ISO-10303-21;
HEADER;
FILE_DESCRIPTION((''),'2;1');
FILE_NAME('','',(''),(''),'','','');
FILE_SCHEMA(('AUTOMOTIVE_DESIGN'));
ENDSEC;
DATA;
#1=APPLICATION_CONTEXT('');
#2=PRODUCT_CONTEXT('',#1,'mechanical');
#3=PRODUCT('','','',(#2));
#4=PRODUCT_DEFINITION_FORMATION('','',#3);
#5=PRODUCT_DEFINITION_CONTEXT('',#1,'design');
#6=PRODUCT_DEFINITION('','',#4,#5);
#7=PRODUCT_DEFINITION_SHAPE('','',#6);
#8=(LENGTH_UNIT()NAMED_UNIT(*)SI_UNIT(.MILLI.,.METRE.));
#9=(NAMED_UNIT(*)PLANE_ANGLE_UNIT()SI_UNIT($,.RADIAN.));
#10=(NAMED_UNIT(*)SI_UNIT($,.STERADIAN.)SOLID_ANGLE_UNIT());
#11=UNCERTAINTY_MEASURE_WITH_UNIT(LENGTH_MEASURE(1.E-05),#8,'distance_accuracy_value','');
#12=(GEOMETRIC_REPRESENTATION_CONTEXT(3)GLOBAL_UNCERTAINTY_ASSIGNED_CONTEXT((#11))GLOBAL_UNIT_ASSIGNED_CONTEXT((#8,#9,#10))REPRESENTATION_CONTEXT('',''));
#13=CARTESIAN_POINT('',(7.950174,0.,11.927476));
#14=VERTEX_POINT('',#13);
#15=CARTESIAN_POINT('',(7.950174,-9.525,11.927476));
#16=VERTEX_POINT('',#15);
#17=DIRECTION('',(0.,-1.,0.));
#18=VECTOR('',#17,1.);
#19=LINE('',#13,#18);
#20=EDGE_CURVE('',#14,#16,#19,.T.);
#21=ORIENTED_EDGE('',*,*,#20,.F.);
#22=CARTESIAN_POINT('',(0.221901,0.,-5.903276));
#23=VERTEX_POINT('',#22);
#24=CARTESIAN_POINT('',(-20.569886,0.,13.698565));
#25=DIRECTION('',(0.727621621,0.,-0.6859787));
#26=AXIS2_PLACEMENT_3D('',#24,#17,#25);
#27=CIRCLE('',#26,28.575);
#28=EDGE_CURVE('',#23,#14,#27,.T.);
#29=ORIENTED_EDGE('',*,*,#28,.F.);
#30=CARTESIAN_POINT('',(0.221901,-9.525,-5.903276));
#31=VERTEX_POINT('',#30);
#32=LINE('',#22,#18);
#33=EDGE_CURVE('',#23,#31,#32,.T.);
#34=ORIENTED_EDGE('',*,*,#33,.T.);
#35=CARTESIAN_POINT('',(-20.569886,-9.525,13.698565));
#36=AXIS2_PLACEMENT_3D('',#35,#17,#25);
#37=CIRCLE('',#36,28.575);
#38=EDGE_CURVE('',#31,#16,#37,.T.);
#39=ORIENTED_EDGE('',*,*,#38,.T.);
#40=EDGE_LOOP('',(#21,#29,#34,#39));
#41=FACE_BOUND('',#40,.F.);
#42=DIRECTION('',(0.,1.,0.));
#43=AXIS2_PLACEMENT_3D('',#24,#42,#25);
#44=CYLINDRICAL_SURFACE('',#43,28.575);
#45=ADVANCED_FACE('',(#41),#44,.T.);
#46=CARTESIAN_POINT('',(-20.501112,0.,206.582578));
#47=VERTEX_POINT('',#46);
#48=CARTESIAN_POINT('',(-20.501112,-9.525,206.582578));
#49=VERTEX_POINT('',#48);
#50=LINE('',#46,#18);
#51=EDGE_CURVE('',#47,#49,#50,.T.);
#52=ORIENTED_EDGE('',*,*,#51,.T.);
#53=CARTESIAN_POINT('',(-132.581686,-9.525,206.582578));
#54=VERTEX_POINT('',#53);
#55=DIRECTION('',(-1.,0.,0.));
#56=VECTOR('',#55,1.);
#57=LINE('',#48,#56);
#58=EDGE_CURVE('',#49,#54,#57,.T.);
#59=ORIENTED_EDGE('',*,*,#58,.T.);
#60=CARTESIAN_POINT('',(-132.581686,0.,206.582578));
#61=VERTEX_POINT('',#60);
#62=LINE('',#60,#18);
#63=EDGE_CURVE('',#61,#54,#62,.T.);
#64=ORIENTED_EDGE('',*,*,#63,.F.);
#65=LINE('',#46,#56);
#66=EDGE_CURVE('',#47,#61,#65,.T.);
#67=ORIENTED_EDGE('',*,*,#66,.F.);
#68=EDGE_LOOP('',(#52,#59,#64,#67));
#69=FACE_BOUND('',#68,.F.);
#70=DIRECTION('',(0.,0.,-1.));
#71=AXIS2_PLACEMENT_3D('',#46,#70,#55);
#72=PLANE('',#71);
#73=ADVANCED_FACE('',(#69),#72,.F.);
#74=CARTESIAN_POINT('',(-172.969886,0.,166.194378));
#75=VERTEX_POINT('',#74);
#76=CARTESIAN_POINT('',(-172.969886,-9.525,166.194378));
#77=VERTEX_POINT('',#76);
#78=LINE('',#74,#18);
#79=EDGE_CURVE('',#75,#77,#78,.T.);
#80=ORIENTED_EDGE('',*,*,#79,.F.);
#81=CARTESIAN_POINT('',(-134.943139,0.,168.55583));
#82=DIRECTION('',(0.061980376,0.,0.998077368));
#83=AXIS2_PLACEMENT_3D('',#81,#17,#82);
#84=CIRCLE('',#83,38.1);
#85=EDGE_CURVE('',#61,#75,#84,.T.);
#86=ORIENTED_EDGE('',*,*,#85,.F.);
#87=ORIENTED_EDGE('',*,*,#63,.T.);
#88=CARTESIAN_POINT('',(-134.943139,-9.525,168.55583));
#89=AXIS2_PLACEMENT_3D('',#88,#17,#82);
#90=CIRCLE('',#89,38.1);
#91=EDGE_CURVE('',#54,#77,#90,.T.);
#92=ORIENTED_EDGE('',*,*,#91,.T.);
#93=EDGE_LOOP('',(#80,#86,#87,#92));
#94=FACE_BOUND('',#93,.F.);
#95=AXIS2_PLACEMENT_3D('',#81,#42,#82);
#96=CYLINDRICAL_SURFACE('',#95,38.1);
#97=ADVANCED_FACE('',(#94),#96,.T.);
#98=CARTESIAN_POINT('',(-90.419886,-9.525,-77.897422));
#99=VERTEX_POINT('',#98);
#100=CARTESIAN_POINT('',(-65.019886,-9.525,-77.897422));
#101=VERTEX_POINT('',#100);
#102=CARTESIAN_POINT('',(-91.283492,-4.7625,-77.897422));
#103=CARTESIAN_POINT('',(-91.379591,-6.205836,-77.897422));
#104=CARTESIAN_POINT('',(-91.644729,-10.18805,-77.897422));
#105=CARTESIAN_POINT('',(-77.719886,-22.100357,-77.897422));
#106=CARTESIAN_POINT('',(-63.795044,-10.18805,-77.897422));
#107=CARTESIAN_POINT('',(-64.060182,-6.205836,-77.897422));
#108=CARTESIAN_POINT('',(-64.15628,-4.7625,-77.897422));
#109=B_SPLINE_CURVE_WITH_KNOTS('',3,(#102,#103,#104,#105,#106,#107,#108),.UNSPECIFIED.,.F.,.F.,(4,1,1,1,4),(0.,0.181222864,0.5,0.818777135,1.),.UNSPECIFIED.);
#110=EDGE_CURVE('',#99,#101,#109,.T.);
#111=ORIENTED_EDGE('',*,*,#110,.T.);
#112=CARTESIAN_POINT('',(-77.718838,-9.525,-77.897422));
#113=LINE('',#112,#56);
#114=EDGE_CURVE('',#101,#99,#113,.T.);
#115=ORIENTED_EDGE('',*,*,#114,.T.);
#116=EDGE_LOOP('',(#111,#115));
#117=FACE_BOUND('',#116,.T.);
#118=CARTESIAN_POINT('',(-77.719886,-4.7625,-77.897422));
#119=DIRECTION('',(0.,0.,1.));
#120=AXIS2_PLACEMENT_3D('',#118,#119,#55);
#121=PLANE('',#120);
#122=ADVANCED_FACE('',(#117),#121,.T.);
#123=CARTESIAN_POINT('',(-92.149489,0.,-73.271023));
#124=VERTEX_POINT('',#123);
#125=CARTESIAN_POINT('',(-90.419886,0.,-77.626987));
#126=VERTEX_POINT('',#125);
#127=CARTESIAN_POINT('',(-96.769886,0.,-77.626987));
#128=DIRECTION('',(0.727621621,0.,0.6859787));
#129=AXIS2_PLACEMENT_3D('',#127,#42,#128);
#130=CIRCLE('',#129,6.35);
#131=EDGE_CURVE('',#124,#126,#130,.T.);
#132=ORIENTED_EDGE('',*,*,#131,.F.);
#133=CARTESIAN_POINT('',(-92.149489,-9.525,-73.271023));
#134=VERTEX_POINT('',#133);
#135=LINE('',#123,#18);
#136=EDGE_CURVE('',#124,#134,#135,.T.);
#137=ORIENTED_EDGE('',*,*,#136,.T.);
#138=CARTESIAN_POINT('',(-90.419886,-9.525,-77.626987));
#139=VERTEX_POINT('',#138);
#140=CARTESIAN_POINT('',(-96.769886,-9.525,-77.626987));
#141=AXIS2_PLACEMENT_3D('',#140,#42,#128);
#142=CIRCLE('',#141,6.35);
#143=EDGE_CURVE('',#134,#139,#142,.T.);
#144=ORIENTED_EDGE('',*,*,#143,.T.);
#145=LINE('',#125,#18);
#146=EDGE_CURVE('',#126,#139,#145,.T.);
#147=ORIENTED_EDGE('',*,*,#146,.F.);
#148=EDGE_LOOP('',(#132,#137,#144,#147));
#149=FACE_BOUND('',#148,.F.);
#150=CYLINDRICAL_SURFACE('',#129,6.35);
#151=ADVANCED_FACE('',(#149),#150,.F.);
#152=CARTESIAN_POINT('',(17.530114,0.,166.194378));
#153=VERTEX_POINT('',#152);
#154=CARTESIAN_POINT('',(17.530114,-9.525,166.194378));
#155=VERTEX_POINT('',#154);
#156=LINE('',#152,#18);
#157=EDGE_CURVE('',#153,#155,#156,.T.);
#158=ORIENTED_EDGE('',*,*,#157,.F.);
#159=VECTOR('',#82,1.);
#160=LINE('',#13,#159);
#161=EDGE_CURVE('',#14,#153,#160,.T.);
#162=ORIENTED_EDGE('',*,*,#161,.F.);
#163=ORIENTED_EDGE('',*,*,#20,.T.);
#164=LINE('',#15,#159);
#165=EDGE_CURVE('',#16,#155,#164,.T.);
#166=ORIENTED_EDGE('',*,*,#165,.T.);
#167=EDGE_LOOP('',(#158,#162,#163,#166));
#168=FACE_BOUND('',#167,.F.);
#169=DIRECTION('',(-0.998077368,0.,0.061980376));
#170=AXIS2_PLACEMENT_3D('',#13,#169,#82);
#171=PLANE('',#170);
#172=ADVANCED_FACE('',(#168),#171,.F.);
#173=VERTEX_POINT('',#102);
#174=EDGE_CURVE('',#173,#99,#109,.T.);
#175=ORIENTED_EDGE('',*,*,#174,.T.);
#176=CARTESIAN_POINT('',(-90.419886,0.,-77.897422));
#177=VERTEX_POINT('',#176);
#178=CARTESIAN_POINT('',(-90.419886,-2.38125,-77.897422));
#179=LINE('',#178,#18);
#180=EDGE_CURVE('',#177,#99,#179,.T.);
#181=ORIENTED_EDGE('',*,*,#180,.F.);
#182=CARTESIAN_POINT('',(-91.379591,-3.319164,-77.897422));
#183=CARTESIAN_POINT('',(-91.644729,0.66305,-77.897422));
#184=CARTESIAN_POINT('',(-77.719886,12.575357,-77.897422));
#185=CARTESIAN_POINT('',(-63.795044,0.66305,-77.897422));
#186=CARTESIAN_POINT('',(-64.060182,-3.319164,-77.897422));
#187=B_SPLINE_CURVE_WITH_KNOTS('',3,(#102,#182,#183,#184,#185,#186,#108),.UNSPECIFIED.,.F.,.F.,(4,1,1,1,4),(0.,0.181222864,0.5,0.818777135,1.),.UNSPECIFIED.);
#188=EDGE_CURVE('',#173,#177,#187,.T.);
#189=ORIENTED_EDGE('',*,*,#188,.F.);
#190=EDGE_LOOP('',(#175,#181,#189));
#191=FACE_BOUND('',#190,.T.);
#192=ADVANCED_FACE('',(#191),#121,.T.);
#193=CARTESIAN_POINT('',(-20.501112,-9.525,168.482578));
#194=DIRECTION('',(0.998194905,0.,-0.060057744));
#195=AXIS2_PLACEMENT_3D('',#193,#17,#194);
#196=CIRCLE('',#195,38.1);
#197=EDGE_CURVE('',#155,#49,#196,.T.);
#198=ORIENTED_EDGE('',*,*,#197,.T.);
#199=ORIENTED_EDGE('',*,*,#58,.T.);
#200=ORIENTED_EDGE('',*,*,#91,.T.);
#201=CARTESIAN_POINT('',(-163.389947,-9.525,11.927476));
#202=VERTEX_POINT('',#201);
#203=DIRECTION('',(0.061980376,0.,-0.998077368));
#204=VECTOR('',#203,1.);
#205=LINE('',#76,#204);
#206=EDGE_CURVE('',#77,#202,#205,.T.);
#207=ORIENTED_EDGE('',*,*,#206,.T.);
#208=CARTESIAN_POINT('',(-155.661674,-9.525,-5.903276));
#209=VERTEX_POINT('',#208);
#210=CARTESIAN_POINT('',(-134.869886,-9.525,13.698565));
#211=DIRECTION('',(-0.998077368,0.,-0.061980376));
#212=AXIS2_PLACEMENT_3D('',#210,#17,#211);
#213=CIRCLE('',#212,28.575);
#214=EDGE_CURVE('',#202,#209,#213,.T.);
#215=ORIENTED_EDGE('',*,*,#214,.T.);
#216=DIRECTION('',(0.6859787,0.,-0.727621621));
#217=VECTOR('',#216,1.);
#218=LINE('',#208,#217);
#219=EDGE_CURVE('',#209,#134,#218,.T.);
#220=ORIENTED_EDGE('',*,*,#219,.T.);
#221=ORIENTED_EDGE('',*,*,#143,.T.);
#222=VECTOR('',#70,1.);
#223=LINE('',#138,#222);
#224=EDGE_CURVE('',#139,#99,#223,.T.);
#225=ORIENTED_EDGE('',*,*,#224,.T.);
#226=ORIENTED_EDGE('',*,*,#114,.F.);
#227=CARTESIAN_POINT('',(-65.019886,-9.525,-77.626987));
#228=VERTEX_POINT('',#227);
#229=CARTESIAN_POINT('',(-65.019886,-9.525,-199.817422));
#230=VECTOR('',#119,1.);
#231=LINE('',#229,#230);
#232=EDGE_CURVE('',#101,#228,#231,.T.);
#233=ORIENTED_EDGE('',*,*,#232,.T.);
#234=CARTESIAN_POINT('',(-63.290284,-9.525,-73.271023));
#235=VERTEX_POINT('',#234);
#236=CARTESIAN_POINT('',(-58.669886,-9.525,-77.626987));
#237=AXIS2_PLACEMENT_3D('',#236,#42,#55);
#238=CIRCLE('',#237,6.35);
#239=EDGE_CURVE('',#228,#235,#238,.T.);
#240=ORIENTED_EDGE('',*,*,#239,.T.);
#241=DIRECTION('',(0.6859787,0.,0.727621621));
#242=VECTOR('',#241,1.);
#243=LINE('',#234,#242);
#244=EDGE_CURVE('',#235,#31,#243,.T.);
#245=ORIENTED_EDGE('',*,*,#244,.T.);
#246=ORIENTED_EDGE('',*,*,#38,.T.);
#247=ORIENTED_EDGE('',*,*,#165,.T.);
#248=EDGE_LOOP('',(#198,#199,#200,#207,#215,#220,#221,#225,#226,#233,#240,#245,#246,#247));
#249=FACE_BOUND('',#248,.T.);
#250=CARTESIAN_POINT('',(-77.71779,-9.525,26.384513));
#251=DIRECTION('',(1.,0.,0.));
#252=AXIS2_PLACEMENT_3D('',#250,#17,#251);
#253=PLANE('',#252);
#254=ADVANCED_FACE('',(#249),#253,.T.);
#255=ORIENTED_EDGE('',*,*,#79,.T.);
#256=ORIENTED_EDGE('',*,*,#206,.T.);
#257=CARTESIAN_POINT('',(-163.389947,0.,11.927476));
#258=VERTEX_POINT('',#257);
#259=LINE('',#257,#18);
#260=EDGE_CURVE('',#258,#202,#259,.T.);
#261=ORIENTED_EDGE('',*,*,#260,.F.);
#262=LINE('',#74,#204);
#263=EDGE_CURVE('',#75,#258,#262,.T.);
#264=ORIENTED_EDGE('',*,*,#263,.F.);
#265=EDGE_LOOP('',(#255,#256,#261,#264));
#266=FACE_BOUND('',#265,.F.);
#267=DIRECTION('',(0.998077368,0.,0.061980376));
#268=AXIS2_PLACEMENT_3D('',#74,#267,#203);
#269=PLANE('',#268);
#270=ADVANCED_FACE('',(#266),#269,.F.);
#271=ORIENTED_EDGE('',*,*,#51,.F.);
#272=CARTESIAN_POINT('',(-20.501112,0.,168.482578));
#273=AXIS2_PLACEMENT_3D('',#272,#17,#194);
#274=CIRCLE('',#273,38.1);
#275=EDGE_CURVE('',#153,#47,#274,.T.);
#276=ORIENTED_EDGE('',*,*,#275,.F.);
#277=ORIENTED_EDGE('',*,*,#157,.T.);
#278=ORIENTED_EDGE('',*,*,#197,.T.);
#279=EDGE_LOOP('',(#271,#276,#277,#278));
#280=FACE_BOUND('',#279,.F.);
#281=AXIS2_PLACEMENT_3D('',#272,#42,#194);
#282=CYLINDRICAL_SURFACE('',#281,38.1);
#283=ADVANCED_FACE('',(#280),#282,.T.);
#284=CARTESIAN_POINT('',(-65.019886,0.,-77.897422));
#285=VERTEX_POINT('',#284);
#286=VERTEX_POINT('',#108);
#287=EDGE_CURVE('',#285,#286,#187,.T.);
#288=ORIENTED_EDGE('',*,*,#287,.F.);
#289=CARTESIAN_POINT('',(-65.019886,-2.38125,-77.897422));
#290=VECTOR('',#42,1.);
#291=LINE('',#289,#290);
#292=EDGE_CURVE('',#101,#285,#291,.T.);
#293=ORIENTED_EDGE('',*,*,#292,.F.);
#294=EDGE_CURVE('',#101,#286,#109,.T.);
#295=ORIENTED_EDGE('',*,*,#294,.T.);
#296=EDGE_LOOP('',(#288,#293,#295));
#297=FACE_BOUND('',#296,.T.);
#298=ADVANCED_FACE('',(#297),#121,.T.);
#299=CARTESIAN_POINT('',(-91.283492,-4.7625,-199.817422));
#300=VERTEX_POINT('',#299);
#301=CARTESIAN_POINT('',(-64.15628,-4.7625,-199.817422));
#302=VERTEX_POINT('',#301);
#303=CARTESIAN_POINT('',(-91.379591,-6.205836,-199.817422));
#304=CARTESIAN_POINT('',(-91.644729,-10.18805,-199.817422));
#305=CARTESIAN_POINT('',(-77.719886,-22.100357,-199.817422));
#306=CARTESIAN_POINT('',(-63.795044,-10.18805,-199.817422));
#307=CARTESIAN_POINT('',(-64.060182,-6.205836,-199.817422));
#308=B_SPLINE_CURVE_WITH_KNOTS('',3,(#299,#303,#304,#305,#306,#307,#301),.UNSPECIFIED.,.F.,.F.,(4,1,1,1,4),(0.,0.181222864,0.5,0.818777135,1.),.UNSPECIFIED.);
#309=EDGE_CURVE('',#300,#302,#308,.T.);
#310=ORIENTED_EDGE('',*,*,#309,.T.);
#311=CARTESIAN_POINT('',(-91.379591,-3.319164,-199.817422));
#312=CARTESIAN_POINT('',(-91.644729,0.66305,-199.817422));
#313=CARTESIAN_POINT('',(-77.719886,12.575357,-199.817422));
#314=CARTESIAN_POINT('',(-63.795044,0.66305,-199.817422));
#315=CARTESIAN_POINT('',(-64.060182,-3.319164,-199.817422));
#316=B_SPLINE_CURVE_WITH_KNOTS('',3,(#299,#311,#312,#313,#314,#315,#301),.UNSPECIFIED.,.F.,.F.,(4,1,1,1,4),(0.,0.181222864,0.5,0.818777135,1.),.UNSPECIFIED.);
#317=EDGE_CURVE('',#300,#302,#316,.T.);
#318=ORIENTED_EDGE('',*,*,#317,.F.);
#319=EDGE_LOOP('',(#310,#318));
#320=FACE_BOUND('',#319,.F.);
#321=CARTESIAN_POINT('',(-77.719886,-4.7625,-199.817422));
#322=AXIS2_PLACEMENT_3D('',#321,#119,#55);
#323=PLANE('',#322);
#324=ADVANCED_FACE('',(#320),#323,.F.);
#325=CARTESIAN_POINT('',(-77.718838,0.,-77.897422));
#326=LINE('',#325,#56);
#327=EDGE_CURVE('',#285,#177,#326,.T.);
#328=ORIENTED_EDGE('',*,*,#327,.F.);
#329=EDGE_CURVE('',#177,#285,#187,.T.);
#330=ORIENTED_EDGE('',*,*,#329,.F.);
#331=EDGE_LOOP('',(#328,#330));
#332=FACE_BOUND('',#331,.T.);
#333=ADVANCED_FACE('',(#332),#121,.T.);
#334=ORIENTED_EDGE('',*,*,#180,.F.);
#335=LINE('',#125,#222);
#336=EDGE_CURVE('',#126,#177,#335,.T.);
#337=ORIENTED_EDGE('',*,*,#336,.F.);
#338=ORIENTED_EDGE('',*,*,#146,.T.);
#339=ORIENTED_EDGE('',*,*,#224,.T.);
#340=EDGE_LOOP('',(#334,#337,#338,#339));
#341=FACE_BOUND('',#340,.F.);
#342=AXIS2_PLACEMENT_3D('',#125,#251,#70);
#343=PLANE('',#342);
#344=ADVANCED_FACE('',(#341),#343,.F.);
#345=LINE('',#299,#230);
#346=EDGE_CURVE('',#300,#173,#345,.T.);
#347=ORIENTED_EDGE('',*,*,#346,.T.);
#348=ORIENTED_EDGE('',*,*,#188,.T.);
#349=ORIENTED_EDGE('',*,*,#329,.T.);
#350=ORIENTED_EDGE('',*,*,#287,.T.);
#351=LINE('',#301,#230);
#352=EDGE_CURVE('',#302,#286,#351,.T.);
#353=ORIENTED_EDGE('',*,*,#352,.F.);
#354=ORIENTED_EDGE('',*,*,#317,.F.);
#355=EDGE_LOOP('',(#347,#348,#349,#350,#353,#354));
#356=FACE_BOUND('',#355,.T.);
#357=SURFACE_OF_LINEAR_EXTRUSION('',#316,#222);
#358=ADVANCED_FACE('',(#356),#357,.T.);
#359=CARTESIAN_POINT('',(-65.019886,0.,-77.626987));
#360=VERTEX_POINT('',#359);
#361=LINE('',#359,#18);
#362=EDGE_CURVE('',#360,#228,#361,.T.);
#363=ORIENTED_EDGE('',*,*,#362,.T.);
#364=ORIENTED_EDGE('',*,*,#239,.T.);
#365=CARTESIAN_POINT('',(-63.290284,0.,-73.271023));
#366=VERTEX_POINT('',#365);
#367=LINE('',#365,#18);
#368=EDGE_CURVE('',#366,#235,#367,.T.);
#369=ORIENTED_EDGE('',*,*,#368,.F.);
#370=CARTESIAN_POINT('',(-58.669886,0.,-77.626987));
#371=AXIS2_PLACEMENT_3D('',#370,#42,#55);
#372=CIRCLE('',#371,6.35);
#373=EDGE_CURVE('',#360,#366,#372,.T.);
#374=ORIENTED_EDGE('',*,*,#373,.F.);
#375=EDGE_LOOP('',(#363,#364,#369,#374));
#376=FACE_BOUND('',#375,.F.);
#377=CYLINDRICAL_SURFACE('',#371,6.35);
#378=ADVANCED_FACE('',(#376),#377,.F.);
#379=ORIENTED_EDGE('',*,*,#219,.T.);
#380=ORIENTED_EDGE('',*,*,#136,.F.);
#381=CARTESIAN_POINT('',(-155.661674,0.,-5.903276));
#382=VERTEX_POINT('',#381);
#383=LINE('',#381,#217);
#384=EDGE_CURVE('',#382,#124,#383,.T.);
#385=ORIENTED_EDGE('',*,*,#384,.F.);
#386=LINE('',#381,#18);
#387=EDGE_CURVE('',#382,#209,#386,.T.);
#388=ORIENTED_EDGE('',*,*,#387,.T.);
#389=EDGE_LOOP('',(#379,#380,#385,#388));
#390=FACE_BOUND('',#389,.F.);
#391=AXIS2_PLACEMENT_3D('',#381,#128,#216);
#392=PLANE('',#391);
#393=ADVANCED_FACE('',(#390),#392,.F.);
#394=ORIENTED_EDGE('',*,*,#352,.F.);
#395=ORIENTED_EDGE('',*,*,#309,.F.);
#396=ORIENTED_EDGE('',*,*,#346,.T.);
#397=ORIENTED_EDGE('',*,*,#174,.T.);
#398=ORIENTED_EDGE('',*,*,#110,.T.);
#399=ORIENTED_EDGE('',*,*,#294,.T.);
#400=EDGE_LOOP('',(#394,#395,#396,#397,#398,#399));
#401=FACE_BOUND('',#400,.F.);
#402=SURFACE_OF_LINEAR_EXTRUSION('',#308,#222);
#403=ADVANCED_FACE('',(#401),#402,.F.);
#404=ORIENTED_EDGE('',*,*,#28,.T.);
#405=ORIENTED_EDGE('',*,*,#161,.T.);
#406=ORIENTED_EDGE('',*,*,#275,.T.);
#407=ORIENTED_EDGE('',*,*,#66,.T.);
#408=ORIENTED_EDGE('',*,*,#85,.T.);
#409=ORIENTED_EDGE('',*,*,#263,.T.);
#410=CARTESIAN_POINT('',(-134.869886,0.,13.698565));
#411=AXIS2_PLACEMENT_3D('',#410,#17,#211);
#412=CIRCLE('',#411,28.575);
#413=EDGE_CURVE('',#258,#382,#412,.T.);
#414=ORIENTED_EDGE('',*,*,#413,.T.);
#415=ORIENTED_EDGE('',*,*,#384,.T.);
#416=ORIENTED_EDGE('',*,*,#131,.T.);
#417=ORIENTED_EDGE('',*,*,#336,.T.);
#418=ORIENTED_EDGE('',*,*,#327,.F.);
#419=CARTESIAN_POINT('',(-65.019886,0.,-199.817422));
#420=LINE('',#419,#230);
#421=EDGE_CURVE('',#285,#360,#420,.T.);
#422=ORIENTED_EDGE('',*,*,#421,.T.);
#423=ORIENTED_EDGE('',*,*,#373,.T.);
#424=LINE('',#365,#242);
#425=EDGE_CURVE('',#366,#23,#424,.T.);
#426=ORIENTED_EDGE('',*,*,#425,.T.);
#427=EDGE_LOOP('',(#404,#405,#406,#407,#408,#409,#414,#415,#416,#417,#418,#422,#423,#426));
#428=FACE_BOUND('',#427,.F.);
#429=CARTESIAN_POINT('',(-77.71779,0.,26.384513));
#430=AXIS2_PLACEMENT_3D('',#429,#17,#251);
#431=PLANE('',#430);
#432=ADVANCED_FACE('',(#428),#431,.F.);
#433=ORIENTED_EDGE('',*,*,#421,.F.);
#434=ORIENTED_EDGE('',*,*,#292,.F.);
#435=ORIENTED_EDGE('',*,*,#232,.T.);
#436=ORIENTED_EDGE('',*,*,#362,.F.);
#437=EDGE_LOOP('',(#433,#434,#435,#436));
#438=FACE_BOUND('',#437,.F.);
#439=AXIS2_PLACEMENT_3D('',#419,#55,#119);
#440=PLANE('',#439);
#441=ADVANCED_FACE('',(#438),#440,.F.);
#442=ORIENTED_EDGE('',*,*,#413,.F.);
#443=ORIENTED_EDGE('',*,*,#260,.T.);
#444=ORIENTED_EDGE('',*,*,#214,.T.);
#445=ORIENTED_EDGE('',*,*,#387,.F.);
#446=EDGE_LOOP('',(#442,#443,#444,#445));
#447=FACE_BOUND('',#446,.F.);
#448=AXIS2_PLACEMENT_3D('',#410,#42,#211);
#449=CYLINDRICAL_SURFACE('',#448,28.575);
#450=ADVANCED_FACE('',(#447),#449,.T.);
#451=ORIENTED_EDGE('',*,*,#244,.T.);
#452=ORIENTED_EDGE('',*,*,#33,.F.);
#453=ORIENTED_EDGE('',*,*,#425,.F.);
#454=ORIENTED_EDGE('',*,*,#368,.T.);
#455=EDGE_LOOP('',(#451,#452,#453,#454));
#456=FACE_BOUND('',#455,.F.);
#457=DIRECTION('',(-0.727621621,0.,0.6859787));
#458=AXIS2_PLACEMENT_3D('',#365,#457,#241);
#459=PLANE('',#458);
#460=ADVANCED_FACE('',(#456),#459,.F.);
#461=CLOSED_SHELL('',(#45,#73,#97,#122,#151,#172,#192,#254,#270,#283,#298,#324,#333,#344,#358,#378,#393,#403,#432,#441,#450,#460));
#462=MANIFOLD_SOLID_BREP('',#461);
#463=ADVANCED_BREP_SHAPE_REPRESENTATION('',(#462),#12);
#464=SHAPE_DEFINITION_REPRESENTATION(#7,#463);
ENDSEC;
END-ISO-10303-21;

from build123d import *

# Parameters (mm, degrees)
F1_DEPTH = 9.525
F3_DEPTH = 121.92


with BuildPart() as f1:
    # F0 (on Front) → F1 (new body)
    with BuildSketch(Plane.XZ):
        with BuildLine():
            Line((-90.4198863841, -199.8174223726), (-65.0198863841, -199.8174223726))
            Line((-65.0198863841, -199.8174223726), (-65.0198863841, -77.6269874452))
            ThreePointArc((-65.0198863841, -77.6269874452), (-64.5716667425, -75.283594904), (-63.2902836749, -73.2710226983))
            Line((-63.2902836749, -73.2710226983), (0.2219014244, -5.9032763961))
            ThreePointArc((0.2219014244, -5.9032763961), (5.6483998611, 2.3349347628), (7.9501744142, 11.9274757342))
            Line((7.9501744142, 11.9274757342), (17.5301136159, 166.1943775892))
            ThreePointArc((17.5301136159, 166.1943775892), (7.2368619177, 194.6018193712), (-20.5011122464, 206.5825776274))
            Line((-20.5011122464, 206.5825776274), (-132.5816863459, 206.5825776274))
            ThreePointArc((-132.5816863459, 206.5825776274), (-161.8839070163, 195.4965982596), (-172.9698863841, 166.1943775892))
            Line((-172.9698863841, 166.1943775892), (-163.3899471824, 11.9274757342))
            ThreePointArc((-163.3899471824, 11.9274757342), (-161.0881726294, 2.3349347628), (-155.6616741926, -5.9032763961))
            Line((-155.6616741926, -5.9032763961), (-92.1494890934, -73.2710226983))
            ThreePointArc((-92.1494890934, -73.2710226983), (-90.8681060258, -75.283594904), (-90.4198863841, -77.6269874452))
            Line((-90.4198863841, -77.6269874452), (-90.4198863841, -199.8174223726))
        make_face()
    extrude(amount=F1_DEPTH)

    # F2 (on face) → F3 (join)
    with BuildSketch(Plane(origin=(0, 0, -199.8174223726), x_dir=(1, 0, 0), z_dir=(0, 0, -1))):
        with BuildLine():
            add(Edge.make_bspline(
                [(-91.2834923298, 4.7625), (-91.3795906456, 6.2058363779), (-91.6447291423, 10.1880501605), (-77.7198863841, 22.1003565636), (-63.7950436259, 10.1880501605), (-64.0601821227, 6.2058363779), (-64.1562804384, 4.7625)],
                knots=[0, 0, 0, 0, 0.1812228645, 0.5, 0.8187771355, 1, 1, 1, 1], degree=3))
            add(Edge.make_bspline(
                [(-91.2834923298, 4.7625), (-91.3795906456, 3.3191636221), (-91.6447291423, -0.6630501605), (-77.7198863841, -12.5753565636), (-63.7950436259, -0.6630501605), (-64.0601821227, 3.3191636221), (-64.1562804384, 4.7625)],
                knots=[0, 0, 0, 0, 0.1812228645, 0.5, 0.8187771355, 1, 1, 1, 1], degree=3))
        make_face()
    extrude(amount=-F3_DEPTH)


solid = f1.part
